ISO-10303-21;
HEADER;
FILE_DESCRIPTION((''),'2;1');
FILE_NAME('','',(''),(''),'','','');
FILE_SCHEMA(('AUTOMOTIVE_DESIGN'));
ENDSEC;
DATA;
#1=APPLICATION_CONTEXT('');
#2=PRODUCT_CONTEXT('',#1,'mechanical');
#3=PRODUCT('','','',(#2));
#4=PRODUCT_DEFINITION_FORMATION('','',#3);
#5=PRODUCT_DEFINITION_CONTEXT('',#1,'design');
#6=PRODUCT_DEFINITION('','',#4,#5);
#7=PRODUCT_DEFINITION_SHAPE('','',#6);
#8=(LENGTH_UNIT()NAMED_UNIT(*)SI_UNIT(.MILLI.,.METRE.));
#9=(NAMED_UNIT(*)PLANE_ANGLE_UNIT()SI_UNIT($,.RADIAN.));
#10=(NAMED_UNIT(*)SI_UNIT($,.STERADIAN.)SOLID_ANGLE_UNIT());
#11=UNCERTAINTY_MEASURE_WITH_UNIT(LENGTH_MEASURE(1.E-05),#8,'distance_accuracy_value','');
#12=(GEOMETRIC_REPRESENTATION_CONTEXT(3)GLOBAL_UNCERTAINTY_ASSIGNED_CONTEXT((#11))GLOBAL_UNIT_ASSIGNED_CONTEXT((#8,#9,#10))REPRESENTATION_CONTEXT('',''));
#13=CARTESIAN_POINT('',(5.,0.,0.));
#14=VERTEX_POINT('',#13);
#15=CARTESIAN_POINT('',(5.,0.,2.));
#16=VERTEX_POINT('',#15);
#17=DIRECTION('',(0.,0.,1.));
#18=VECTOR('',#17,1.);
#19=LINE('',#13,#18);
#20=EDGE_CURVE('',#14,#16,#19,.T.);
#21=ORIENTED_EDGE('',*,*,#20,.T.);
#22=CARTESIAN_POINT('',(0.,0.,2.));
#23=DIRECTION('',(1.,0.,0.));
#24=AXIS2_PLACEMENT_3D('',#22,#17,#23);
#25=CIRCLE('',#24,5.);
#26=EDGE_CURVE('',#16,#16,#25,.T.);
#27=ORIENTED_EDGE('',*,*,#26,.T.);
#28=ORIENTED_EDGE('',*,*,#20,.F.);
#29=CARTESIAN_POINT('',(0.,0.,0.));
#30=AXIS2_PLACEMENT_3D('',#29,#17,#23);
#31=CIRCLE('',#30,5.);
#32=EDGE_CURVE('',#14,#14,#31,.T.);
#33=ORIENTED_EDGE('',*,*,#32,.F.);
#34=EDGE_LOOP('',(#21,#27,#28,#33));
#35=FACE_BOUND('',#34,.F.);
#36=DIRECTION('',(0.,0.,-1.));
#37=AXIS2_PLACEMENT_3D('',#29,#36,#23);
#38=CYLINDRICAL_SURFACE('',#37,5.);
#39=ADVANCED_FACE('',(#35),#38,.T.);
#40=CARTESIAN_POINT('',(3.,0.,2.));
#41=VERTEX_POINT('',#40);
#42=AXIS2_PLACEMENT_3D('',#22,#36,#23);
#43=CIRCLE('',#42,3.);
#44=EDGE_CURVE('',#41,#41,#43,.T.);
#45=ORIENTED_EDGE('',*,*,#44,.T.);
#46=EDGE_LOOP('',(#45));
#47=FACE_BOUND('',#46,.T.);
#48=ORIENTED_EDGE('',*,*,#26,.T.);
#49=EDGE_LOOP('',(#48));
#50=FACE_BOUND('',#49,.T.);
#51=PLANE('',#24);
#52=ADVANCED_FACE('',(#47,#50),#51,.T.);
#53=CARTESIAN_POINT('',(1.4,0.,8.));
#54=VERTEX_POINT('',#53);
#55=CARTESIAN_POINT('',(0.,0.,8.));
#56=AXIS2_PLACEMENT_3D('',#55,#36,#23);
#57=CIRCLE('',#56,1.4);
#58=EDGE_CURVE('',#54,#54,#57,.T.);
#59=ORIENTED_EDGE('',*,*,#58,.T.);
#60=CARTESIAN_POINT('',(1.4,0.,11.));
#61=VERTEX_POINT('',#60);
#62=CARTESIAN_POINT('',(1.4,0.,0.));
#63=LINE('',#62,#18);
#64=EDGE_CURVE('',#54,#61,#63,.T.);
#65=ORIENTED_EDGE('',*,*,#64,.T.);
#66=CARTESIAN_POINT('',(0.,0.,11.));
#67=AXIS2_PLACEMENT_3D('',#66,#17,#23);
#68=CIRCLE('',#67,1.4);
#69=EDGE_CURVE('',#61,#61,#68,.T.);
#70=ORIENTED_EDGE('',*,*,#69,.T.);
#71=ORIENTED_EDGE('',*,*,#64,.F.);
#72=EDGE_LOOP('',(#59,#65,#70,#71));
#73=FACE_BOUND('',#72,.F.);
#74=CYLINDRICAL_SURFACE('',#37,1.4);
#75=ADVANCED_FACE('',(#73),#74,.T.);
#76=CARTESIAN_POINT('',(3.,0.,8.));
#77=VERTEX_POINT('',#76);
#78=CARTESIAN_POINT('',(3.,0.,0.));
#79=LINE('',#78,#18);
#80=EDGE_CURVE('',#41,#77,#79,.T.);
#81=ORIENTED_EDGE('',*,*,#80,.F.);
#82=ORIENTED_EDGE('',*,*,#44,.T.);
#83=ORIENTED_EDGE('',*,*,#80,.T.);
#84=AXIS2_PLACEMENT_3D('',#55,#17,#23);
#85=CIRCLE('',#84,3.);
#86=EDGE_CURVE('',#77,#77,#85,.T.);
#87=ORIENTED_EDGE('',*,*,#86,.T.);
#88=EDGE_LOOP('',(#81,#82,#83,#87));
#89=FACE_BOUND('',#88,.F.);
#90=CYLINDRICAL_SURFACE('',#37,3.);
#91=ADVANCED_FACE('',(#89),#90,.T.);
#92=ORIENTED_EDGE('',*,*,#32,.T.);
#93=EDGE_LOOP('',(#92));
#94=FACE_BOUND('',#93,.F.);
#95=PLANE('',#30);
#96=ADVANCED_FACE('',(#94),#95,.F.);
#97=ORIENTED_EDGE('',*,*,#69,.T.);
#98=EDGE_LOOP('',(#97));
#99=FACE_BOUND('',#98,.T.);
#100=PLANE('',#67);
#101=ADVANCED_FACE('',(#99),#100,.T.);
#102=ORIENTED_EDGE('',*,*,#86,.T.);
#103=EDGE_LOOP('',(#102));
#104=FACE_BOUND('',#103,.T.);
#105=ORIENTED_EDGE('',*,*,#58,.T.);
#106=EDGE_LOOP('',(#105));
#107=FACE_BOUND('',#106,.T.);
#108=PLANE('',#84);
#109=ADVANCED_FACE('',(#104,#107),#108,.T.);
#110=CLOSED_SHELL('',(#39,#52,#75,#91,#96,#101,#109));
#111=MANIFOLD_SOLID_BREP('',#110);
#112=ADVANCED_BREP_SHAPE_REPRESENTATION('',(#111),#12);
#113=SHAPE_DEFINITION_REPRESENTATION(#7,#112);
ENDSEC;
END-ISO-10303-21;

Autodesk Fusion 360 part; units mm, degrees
sketch "Sketch1" plane through (0, 0, 0) normal (0, 0, 1) x (1, 0, 0)
  circle A0 centre (0, 0) radius 5
  circle A1 centre (0, 0) radius 3
  circle A2 centre (0, 0) radius 1.4
  dimension "d1" = 10
  dimension "d2" = 6
  dimension "d3" = 2.8
extrude "Extrude1" add sketch "Sketch1" along normal blind 2 contours A0 | A1 | A2
extrude "Extrude2" add sketch "Sketch1" along normal blind 8 contours A1 | A2
extrude "Extrude3" add sketch "Sketch1" along normal blind 11 contours A2
